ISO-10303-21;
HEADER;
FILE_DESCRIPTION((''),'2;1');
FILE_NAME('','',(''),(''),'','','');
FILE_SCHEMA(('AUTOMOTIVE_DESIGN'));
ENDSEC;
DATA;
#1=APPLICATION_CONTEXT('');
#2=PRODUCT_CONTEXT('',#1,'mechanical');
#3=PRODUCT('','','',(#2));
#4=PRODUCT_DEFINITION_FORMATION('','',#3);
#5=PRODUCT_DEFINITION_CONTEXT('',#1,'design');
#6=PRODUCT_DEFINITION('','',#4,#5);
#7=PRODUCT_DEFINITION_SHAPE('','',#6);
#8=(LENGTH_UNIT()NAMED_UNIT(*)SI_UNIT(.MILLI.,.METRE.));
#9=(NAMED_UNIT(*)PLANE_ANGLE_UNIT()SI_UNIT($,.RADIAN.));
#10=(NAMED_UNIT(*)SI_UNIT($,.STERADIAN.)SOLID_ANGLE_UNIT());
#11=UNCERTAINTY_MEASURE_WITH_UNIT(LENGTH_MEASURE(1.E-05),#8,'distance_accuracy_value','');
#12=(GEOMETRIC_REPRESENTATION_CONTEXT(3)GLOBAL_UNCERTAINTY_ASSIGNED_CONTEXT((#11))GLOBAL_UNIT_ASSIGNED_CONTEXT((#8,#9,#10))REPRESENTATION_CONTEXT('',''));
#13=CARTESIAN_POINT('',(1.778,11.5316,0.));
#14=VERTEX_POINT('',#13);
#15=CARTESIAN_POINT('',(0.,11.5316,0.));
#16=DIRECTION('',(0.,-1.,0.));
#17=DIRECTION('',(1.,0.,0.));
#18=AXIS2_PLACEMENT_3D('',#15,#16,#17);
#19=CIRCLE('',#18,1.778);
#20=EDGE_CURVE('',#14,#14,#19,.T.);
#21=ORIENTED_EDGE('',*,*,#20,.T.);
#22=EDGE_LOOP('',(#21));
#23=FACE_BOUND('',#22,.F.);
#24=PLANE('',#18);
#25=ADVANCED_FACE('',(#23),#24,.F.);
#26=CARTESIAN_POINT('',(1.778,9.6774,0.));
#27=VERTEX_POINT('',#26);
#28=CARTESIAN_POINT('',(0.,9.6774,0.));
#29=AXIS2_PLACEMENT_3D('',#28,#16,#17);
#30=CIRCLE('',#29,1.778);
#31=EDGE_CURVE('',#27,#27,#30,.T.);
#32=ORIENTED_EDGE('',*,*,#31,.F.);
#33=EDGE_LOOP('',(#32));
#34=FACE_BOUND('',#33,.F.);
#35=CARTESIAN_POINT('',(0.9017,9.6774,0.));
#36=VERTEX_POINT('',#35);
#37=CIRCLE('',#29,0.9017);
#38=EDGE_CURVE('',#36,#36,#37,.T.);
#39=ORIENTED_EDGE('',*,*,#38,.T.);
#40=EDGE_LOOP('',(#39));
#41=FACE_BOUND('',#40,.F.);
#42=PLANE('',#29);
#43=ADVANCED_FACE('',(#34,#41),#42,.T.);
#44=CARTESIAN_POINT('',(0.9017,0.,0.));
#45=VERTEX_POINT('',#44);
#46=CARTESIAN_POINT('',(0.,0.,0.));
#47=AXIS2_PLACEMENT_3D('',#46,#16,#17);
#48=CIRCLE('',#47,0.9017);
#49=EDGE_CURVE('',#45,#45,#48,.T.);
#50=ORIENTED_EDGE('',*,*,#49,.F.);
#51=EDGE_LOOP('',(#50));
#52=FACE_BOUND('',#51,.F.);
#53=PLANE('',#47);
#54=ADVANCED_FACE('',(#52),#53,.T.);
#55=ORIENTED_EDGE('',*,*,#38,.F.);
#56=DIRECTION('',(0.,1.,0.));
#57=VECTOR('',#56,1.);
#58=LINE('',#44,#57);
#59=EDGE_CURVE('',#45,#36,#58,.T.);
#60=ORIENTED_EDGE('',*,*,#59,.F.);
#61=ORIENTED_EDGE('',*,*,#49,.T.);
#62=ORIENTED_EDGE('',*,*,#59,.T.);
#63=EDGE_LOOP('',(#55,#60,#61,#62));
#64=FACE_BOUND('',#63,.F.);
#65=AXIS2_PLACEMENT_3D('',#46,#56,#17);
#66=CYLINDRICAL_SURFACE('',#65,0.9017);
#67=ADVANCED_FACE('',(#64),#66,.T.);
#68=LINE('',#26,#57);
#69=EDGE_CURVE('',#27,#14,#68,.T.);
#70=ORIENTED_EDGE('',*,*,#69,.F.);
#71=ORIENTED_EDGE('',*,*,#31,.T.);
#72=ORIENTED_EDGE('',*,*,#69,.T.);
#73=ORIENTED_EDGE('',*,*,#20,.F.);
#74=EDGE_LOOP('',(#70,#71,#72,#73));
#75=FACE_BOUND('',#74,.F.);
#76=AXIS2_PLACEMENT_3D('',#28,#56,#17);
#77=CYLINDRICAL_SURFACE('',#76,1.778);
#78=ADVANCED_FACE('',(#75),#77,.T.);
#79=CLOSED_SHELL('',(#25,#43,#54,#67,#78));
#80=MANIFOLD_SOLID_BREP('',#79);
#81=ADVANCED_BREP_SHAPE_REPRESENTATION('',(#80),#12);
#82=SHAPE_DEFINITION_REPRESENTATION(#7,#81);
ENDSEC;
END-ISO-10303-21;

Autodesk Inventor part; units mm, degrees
ref_plane "YZ Plane" through (0, 0, 0) normal (1, 0, 0) x (0, 1, 0)
ref_plane "XZ Plane" through (0, 0, 0) normal (0, 1, 0) x (-1, 0, 0)
ref_plane "XY Plane" through (0, 0, 0) normal (0, 0, 1) x (1, 0, 0)
sketch "Sketch1" plane through (0, 0, 0) normal (0, 0, 1) x (1, 0, 0)
  line L0 (0, 0) -> (0.9017, 0)
  line L1 (0.9017, 0) -> (0.9017, 9.6774)
  line L2 (0.9017, 9.6774) -> (1.778, 9.6774)
  line L3 (1.778, 9.6774) -> (1.778, 11.5316)
  line L4 (1.778, 11.5316) -> (0, 11.5316)
  line L5 (0, 11.5316) -> (0, 0)
  dimension "d1" = 3.556
  dimension "d2" = 1.8034
  dimension "d3" = 1.8542
  dimension "d4" = 9.6774
revolve "Revolution1" add sketch "Sketch1" angle 360 about axis through (0, 11.5316, 0) along (0, -1, 0)
properties part number "Screw BIG 1"
